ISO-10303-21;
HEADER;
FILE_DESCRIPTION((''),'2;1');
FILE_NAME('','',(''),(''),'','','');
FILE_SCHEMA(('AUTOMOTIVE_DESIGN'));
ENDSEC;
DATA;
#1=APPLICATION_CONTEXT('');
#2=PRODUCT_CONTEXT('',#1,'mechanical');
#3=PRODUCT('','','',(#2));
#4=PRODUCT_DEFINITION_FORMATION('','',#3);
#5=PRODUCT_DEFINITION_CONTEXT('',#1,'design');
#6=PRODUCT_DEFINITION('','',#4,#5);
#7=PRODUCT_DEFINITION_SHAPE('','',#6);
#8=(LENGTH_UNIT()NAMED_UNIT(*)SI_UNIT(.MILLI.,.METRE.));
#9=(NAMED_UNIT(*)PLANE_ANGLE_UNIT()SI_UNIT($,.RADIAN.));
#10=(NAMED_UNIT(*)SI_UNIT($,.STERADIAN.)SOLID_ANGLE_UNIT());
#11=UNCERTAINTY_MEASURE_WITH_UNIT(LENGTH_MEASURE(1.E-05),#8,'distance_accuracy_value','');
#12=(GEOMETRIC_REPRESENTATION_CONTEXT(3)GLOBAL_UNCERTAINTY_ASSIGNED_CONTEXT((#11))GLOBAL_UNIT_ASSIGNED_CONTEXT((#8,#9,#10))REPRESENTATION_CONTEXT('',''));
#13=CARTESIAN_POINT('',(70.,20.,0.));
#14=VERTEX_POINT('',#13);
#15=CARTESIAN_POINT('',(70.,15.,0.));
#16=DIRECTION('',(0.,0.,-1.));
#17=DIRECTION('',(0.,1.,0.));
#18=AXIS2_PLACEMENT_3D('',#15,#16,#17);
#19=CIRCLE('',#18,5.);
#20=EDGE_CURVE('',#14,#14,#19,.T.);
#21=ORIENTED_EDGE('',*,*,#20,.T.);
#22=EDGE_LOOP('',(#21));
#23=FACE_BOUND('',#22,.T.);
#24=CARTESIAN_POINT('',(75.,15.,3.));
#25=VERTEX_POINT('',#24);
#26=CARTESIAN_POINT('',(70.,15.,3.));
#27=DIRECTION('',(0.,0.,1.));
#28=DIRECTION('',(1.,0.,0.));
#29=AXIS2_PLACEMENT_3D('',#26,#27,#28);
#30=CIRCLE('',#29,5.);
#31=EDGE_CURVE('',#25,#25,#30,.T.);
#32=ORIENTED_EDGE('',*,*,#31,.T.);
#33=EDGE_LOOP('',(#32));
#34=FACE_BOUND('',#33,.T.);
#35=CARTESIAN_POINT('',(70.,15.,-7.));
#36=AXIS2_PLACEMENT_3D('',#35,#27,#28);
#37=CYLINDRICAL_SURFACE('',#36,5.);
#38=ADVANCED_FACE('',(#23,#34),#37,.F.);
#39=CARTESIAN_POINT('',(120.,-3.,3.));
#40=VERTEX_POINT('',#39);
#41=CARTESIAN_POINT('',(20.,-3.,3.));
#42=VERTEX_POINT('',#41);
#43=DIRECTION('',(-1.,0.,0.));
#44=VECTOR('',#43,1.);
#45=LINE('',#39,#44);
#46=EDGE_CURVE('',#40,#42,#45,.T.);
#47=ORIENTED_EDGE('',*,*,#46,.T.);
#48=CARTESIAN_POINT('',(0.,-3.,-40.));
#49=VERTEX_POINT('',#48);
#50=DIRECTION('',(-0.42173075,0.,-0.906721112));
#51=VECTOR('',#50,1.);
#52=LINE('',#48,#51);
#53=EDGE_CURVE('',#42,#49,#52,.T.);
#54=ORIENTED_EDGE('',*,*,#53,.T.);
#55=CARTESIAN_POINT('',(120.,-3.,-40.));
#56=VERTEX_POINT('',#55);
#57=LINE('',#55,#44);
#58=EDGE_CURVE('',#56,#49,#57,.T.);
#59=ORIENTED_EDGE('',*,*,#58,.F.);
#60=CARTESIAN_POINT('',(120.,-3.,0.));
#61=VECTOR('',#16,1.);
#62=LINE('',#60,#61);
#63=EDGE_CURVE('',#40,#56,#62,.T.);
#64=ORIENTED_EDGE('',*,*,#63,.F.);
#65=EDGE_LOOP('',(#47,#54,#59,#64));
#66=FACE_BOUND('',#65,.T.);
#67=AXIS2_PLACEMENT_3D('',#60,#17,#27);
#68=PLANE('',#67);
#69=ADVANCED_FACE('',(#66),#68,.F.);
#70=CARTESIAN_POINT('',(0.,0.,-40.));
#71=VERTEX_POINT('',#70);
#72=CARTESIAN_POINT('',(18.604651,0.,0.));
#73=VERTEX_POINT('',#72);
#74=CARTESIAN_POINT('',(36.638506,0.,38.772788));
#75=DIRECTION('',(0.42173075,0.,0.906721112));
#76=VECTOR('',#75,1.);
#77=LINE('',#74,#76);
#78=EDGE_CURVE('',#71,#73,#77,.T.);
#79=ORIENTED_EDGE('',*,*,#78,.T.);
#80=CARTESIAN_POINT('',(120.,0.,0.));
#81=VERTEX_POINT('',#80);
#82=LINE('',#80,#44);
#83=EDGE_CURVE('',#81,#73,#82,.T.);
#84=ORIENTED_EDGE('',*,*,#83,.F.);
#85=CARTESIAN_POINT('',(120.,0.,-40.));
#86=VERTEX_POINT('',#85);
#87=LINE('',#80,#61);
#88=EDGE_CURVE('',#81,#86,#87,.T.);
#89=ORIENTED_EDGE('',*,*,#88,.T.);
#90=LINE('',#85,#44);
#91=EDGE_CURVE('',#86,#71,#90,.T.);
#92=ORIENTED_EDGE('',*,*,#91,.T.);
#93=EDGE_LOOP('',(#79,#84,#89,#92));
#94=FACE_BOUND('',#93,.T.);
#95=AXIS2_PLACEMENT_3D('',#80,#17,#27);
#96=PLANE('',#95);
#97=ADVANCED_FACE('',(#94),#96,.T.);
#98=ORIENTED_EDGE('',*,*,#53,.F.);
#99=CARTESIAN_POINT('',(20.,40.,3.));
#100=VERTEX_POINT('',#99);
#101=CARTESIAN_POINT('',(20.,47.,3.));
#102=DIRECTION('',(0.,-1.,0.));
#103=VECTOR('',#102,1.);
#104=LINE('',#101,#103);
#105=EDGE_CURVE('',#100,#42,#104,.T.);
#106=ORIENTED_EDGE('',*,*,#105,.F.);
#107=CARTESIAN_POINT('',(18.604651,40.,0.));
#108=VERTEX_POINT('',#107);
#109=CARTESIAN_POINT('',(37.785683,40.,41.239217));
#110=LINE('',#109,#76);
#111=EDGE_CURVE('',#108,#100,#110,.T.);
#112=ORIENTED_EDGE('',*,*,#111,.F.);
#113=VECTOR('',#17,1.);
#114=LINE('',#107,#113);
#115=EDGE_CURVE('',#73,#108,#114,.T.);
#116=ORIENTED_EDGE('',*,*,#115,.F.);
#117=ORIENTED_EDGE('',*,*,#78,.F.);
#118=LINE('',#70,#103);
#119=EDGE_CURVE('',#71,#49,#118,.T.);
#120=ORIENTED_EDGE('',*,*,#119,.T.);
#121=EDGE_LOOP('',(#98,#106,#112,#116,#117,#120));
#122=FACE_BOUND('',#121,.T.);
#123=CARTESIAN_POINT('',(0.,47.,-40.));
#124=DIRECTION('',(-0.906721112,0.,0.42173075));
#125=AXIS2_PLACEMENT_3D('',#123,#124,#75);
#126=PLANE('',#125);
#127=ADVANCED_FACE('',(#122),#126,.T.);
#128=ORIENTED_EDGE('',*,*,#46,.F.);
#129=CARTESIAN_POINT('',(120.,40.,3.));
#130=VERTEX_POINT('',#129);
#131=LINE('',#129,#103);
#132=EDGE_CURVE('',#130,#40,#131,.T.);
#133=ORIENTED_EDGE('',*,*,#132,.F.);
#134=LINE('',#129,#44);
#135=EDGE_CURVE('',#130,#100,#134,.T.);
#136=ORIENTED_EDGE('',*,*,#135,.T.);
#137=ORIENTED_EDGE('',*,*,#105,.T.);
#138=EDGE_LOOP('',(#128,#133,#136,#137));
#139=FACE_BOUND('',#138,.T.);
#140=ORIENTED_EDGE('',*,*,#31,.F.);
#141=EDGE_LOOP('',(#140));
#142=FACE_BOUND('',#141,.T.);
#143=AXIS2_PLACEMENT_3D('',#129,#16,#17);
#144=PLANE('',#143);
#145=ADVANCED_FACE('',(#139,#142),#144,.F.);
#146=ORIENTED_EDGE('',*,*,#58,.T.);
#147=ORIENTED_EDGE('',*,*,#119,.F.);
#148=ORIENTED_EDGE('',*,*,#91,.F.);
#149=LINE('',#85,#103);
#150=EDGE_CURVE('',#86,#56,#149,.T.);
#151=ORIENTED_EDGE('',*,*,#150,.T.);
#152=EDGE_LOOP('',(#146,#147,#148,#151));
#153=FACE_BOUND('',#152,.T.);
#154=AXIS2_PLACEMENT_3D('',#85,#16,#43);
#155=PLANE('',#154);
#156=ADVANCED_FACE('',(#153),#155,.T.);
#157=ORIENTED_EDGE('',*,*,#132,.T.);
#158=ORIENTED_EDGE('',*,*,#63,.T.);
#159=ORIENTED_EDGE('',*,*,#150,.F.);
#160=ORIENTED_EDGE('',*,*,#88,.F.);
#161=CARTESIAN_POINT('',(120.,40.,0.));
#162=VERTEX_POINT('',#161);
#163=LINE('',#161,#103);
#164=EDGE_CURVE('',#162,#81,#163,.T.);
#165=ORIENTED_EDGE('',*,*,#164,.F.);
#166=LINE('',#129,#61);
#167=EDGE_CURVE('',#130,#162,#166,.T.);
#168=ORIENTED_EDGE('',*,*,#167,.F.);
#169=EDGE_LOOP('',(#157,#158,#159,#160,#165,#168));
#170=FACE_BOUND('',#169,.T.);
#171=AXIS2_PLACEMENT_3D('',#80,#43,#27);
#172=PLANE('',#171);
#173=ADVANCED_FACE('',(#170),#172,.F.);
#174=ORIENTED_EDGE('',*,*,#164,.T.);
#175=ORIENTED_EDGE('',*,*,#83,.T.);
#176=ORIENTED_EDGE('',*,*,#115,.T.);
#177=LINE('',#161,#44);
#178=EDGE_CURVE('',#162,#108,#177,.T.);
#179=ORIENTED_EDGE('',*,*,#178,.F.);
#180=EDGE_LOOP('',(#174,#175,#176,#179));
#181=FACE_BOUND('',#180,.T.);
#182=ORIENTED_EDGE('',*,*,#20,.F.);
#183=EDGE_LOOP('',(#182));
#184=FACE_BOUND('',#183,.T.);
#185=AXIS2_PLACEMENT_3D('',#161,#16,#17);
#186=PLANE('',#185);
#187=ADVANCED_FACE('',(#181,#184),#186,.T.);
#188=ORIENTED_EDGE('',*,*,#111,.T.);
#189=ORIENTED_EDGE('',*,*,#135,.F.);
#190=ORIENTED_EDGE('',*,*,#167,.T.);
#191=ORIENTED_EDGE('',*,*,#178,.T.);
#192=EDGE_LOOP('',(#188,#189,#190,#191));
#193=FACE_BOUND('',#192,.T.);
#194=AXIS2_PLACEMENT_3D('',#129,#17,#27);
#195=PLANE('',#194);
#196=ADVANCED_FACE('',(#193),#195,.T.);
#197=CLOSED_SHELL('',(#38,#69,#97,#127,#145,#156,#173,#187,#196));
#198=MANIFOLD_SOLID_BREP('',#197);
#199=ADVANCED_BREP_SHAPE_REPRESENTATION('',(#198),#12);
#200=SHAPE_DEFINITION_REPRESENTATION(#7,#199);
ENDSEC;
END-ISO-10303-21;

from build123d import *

# Parameters (mm, degrees)
EXTRUDE_1_DEPTH     = 120
CUT_EXTRUDE_1_DEPTH = 50
SKETCH_3_R          = 5
CUT_EXTRUDE_2_DEPTH = 10


with BuildPart() as part:
    # Эскиз1 → Вытянуть-Тонкостенный1 (new body)
    with BuildSketch(Plane(origin=(0, 0, 0), x_dir=(0, 0, -1), z_dir=(1, 0, 0))):
        Polygon((0, 40), (0, 0), (40, 0), (40, -3), (-3, -3), (-3, 40), align=None)
    extrude(amount=EXTRUDE_1_DEPTH)

    # Эскиз2 → Вырез-Вытянуть1 (cut)
    with BuildSketch(Plane(origin=(0, -3, 0), x_dir=(1, 0, 0), z_dir=(0, 1, 0))):
        Polygon((0, 40), (20, -3), (0, -3), align=None)
    extrude(amount=CUT_EXTRUDE_1_DEPTH, mode=Mode.SUBTRACT)

    # Эскиз3 → Вырез-Вытянуть2 (cut)
    with BuildSketch(Plane.XY.offset(3)):
        with Locations((70, 15)):
            Circle(SKETCH_3_R)
    extrude(amount=-CUT_EXTRUDE_2_DEPTH, mode=Mode.SUBTRACT)


solid = part.part
